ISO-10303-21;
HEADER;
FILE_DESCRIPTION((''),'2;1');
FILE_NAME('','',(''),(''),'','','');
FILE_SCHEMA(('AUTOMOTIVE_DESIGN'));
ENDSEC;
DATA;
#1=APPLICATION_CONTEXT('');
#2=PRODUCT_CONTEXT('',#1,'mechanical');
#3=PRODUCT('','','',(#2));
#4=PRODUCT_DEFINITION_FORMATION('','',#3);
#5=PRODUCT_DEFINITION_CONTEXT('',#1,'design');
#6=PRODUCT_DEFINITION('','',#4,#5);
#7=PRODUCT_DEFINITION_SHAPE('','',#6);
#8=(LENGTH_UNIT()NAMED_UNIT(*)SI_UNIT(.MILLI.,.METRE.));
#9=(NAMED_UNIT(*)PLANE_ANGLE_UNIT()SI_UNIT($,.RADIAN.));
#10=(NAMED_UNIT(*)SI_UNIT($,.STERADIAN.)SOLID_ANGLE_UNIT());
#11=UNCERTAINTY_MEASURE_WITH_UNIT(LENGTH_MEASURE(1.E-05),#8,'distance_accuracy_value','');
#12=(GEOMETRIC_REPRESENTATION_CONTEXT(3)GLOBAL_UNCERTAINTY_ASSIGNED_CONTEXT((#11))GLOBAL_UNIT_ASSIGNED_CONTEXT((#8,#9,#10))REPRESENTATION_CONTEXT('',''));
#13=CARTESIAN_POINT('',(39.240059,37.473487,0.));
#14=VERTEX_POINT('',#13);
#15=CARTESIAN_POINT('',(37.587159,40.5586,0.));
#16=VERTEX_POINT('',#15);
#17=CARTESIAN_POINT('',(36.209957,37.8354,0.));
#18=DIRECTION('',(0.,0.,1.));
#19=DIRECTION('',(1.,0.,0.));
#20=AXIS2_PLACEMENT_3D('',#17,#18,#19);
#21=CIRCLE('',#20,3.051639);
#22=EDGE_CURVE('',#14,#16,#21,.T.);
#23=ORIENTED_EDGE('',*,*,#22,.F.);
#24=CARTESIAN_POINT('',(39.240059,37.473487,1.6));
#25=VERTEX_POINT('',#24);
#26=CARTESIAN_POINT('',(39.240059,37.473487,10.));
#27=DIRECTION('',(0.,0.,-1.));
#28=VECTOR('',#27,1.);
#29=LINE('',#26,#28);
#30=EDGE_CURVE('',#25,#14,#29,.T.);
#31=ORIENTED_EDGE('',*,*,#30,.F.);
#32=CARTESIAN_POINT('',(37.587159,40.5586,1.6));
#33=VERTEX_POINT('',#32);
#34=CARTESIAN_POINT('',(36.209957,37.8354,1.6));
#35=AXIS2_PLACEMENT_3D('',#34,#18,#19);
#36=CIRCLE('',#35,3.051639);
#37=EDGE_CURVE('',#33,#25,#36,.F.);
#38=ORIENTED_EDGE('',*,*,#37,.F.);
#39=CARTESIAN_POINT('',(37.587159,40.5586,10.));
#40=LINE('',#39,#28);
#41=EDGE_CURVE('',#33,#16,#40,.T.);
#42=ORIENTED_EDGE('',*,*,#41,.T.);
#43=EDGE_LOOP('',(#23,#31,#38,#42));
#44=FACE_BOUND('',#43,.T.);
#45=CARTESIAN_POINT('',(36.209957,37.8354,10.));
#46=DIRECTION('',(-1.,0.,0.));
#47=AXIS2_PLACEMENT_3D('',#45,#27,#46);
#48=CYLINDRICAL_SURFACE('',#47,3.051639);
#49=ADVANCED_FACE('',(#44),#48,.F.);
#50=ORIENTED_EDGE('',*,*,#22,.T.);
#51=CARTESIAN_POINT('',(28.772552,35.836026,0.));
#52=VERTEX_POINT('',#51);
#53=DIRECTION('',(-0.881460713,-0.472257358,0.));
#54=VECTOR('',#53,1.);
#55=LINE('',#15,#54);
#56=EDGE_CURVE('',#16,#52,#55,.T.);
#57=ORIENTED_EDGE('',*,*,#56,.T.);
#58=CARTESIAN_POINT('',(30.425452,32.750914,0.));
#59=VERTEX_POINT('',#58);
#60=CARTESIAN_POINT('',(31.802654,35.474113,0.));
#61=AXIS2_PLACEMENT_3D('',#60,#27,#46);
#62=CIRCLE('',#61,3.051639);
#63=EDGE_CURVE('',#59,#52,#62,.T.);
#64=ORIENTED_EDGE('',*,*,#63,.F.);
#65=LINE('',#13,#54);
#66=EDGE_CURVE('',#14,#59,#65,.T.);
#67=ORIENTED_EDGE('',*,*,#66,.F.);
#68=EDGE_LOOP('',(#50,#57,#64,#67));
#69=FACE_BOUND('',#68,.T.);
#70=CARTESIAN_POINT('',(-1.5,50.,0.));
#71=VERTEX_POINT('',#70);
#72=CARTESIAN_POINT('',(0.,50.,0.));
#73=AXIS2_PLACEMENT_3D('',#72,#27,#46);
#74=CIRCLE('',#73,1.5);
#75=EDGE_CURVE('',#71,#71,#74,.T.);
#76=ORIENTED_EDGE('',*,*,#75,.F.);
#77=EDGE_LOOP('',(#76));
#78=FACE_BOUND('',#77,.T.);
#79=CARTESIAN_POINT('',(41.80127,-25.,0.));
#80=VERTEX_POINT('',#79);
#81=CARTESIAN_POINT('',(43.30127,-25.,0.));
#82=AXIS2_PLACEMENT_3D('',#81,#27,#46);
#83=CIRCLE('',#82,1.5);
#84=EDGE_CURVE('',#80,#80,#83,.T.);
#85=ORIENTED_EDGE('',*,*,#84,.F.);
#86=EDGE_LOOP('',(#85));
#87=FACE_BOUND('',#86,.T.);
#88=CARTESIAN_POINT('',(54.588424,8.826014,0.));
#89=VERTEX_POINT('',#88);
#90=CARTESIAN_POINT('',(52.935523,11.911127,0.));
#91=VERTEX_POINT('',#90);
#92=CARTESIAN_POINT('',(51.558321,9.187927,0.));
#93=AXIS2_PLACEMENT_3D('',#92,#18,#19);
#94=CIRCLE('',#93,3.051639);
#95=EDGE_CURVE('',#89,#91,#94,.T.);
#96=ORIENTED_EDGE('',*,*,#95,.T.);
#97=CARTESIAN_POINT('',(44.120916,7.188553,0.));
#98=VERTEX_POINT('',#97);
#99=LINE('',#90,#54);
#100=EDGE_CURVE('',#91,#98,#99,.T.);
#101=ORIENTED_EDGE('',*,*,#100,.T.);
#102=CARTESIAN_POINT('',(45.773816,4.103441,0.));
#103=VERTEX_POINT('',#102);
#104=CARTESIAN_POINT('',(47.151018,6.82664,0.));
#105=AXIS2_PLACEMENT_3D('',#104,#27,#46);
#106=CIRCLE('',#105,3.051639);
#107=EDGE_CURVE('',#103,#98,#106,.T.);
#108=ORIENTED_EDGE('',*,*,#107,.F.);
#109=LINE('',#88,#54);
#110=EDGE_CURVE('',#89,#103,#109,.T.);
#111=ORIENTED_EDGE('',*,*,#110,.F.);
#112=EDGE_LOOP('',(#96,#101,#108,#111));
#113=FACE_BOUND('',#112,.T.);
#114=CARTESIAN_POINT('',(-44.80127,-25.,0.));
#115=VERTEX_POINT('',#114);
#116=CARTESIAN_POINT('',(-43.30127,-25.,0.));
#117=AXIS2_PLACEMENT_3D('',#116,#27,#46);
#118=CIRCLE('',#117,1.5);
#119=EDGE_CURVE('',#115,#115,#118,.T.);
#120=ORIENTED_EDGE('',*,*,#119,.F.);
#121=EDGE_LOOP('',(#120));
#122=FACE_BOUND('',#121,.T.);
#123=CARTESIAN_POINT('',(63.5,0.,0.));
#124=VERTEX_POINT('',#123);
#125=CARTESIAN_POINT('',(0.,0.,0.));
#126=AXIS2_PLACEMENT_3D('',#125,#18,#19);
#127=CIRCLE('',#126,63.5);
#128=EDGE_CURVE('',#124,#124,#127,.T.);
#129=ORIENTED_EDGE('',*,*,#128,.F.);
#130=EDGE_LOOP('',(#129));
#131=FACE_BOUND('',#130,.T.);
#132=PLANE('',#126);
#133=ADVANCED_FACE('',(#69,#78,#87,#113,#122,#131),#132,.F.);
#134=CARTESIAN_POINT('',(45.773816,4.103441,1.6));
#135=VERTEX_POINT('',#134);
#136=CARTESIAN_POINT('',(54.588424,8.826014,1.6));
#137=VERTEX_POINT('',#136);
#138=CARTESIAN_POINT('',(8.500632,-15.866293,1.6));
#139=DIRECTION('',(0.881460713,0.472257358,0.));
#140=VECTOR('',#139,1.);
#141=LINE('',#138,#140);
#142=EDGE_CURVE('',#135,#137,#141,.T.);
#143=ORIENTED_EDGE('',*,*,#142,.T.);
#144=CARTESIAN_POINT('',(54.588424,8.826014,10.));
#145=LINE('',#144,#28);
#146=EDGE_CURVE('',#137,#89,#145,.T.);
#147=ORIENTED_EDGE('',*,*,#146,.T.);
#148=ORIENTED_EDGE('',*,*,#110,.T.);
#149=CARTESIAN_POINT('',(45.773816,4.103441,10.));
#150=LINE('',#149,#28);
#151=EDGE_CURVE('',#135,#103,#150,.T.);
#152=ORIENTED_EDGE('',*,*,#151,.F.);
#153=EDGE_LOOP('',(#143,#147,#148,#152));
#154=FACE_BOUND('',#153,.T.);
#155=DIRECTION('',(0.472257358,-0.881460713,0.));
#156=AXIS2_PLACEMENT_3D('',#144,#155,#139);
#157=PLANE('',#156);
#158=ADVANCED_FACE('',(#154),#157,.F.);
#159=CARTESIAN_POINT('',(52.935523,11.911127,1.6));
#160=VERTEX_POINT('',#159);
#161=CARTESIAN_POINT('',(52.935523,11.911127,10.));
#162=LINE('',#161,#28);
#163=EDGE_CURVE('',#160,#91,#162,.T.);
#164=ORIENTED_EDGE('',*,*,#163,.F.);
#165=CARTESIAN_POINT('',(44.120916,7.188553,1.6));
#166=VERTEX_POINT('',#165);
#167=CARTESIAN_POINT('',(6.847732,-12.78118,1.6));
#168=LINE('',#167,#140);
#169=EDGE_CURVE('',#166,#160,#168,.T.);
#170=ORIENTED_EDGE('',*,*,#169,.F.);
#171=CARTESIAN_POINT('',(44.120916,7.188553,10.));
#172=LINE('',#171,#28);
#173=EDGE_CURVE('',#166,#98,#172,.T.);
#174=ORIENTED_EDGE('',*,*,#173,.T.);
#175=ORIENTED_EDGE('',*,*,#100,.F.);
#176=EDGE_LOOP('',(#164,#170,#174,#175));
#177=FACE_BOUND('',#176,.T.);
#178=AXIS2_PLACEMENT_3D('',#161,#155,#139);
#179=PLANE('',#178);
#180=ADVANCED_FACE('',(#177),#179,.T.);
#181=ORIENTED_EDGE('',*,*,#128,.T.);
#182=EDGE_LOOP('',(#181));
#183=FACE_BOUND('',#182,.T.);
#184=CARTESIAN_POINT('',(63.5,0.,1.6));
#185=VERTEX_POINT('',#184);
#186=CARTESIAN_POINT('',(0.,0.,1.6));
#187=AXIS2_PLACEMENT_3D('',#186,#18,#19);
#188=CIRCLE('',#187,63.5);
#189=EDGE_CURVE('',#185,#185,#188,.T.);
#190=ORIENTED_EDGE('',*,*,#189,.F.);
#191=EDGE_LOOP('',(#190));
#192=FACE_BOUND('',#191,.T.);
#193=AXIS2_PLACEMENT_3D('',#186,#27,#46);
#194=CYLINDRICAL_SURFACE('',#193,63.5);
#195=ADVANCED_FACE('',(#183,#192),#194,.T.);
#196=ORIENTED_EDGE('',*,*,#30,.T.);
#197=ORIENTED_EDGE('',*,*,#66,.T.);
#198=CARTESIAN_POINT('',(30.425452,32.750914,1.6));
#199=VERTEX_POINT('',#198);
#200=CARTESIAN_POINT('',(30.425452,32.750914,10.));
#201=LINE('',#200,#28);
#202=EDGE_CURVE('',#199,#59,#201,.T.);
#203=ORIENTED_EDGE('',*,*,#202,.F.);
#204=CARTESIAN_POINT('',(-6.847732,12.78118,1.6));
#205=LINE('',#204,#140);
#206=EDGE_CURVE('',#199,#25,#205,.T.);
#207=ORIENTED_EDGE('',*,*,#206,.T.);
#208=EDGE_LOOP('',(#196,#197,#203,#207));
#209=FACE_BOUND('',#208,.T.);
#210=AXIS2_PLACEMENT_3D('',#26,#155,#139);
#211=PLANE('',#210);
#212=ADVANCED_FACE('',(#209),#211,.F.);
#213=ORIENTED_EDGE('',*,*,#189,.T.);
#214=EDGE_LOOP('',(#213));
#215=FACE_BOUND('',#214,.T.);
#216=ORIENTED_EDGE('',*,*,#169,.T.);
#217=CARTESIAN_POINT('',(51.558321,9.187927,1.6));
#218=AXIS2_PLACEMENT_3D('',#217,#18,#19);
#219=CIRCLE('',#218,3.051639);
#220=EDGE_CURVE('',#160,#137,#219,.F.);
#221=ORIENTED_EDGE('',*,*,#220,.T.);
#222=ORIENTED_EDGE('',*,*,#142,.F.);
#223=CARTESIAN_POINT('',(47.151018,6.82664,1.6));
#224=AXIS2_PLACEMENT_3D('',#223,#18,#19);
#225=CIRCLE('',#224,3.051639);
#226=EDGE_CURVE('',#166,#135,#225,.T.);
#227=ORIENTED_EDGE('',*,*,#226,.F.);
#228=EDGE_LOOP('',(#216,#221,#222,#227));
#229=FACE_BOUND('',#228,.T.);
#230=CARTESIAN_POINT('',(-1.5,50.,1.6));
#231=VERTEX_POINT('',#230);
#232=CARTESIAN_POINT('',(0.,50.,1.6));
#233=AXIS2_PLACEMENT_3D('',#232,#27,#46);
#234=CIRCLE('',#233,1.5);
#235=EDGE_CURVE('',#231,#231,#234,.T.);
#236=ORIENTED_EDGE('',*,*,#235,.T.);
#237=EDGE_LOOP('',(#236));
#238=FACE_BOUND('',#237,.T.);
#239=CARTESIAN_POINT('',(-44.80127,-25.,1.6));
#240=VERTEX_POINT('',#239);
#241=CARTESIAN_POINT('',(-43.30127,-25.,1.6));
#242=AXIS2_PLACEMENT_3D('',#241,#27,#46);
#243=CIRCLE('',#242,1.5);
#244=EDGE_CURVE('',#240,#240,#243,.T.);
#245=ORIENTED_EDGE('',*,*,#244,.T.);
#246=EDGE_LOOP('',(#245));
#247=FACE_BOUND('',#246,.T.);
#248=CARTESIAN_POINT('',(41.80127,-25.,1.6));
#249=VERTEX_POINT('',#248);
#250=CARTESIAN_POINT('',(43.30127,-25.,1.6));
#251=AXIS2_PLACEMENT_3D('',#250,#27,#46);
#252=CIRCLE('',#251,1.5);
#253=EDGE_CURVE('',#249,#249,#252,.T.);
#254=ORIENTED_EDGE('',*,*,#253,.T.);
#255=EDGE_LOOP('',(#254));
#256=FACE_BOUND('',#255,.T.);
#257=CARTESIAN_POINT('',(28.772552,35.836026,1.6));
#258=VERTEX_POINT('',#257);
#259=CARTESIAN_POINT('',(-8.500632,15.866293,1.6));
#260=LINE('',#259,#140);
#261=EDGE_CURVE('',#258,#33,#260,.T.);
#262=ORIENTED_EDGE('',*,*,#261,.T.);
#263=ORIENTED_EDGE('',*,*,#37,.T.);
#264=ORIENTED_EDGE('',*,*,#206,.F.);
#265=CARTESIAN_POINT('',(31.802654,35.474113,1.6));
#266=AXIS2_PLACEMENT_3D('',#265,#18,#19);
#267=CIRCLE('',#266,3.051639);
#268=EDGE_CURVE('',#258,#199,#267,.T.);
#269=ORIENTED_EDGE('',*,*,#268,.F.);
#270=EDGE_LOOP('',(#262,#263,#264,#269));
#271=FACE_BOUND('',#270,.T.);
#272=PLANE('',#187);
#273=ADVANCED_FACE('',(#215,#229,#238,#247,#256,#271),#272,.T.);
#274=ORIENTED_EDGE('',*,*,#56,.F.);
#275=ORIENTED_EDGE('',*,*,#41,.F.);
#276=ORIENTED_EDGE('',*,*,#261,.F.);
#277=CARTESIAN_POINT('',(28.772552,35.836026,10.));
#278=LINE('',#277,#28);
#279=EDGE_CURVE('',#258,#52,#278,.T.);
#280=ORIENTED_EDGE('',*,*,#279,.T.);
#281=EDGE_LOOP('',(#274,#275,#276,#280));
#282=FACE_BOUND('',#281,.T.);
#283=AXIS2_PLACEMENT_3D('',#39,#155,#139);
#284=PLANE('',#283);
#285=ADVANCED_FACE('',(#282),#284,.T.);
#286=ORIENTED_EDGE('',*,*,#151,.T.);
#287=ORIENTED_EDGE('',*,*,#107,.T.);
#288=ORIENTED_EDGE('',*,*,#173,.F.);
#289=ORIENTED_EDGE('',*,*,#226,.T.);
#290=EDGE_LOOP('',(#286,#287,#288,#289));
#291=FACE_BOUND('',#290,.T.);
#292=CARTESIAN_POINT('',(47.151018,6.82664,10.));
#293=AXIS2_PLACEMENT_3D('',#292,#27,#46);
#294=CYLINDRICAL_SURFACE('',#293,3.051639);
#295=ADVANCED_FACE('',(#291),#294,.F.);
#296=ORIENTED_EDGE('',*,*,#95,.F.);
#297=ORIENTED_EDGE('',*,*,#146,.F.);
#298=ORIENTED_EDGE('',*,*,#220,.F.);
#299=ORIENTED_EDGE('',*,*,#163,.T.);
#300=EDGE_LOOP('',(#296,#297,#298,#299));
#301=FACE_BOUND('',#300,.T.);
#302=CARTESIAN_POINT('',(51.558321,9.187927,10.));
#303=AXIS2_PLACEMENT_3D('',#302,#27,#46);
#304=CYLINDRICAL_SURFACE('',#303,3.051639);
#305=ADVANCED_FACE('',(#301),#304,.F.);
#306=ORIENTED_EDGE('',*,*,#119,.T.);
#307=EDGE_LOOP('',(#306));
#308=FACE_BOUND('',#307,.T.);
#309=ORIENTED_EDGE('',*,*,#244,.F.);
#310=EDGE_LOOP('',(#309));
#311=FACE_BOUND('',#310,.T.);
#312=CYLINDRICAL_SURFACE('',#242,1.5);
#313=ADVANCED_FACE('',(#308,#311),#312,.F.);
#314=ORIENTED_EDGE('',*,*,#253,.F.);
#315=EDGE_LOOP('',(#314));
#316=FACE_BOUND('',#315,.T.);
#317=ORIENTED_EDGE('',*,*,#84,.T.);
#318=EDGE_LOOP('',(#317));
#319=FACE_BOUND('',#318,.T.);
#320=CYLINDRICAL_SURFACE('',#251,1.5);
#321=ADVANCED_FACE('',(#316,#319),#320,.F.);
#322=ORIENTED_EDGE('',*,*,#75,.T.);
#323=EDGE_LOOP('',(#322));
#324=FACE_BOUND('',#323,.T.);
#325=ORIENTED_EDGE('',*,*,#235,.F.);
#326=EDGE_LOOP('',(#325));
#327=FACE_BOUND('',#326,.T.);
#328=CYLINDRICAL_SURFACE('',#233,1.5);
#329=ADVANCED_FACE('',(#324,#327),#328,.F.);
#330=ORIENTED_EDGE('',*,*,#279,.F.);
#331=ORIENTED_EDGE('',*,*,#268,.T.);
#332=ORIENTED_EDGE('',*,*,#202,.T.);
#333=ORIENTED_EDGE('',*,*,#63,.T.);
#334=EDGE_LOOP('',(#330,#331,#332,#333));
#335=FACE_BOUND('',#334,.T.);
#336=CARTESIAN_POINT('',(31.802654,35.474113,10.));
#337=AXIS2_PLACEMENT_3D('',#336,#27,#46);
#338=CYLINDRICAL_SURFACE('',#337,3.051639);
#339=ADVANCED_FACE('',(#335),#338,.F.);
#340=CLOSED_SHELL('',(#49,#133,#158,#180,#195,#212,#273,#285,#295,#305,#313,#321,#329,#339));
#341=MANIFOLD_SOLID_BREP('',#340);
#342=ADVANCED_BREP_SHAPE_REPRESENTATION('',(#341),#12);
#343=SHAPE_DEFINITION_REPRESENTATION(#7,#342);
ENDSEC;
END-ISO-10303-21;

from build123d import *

# Parameters (mm, degrees)
SKETCH1_R           = 63.5
BOSS_EXTRUDE1_DEPTH = 1.6
SKETCH3_R           = 1.75
CUT_EXTRUDE4_DEPTH  = 1.6
SKETCH2_R           = 1.5
CUT_EXTRUDE5_DEPTH  = 1.6
CUT_EXTRUDE6_DEPTH  = 10


with BuildPart() as part:
    # Sketch1 → Boss-Extrude1 (new body)
    with BuildSketch(Plane.XY):
        Circle(SKETCH1_R)
    extrude(amount=BOSS_EXTRUDE1_DEPTH)

    # Sketch3 → Cut-Extrude4 (cut)
    with BuildSketch(Plane(origin=(0, 0, 0), x_dir=(-1, 0, 0), z_dir=(0, 0, -1))):
        with Locations((-34.006305458, 36.654756705)):
            Circle(SKETCH3_R)
        with Locations((-49.354669589, 8.007283544)):
            Circle(SKETCH3_R)
    extrude(amount=-CUT_EXTRUDE4_DEPTH, mode=Mode.SUBTRACT)

    # Sketch2 → Cut-Extrude5 (cut)
    with BuildSketch(Plane(origin=(0, 0, 0), x_dir=(-1, 0, 0), z_dir=(0, 0, -1))):
        with Locations((0, 50)):
            Circle(SKETCH2_R)
        with Locations((43.301270189, -25)):
            Circle(SKETCH2_R)
        with Locations((-43.301270189, -25)):
            Circle(SKETCH2_R)
    extrude(amount=-CUT_EXTRUDE5_DEPTH, mode=Mode.SUBTRACT)

    # Sketch4 → Cut-Extrude6 (cut)
    with BuildSketch(Plane(origin=(0, 0, 0), x_dir=(-1, 0, 0), z_dir=(0, 0, -1))):
        with BuildLine():
            Line((-52.935522776, 11.911126581), (-44.12091565, 7.188553002))
            ThreePointArc((-44.12091565, 7.188553002), (-44.461118004, 5.385481223), (-45.773816402, 4.103440508))
            Line((-45.773816402, 4.103440508), (-54.588423529, 8.826014086))
            ThreePointArc((-54.588423529, 8.826014086), (-54.248221174, 10.629085865), (-52.935522776, 11.911126581))
        make_face()
        with BuildLine():
            Line((-39.240059397, 37.473487247), (-30.425452271, 32.750913668))
            ThreePointArc((-30.425452271, 32.750913668), (-29.112753873, 34.032954384), (-28.772551518, 35.836026163))
            Line((-28.772551518, 35.836026163), (-37.587158645, 40.558599742))
            ThreePointArc((-37.587158645, 40.558599742), (-38.899857043, 39.276559026), (-39.240059397, 37.473487247))
        make_face()
    extrude(amount=-CUT_EXTRUDE6_DEPTH, mode=Mode.SUBTRACT)


solid = part.part
